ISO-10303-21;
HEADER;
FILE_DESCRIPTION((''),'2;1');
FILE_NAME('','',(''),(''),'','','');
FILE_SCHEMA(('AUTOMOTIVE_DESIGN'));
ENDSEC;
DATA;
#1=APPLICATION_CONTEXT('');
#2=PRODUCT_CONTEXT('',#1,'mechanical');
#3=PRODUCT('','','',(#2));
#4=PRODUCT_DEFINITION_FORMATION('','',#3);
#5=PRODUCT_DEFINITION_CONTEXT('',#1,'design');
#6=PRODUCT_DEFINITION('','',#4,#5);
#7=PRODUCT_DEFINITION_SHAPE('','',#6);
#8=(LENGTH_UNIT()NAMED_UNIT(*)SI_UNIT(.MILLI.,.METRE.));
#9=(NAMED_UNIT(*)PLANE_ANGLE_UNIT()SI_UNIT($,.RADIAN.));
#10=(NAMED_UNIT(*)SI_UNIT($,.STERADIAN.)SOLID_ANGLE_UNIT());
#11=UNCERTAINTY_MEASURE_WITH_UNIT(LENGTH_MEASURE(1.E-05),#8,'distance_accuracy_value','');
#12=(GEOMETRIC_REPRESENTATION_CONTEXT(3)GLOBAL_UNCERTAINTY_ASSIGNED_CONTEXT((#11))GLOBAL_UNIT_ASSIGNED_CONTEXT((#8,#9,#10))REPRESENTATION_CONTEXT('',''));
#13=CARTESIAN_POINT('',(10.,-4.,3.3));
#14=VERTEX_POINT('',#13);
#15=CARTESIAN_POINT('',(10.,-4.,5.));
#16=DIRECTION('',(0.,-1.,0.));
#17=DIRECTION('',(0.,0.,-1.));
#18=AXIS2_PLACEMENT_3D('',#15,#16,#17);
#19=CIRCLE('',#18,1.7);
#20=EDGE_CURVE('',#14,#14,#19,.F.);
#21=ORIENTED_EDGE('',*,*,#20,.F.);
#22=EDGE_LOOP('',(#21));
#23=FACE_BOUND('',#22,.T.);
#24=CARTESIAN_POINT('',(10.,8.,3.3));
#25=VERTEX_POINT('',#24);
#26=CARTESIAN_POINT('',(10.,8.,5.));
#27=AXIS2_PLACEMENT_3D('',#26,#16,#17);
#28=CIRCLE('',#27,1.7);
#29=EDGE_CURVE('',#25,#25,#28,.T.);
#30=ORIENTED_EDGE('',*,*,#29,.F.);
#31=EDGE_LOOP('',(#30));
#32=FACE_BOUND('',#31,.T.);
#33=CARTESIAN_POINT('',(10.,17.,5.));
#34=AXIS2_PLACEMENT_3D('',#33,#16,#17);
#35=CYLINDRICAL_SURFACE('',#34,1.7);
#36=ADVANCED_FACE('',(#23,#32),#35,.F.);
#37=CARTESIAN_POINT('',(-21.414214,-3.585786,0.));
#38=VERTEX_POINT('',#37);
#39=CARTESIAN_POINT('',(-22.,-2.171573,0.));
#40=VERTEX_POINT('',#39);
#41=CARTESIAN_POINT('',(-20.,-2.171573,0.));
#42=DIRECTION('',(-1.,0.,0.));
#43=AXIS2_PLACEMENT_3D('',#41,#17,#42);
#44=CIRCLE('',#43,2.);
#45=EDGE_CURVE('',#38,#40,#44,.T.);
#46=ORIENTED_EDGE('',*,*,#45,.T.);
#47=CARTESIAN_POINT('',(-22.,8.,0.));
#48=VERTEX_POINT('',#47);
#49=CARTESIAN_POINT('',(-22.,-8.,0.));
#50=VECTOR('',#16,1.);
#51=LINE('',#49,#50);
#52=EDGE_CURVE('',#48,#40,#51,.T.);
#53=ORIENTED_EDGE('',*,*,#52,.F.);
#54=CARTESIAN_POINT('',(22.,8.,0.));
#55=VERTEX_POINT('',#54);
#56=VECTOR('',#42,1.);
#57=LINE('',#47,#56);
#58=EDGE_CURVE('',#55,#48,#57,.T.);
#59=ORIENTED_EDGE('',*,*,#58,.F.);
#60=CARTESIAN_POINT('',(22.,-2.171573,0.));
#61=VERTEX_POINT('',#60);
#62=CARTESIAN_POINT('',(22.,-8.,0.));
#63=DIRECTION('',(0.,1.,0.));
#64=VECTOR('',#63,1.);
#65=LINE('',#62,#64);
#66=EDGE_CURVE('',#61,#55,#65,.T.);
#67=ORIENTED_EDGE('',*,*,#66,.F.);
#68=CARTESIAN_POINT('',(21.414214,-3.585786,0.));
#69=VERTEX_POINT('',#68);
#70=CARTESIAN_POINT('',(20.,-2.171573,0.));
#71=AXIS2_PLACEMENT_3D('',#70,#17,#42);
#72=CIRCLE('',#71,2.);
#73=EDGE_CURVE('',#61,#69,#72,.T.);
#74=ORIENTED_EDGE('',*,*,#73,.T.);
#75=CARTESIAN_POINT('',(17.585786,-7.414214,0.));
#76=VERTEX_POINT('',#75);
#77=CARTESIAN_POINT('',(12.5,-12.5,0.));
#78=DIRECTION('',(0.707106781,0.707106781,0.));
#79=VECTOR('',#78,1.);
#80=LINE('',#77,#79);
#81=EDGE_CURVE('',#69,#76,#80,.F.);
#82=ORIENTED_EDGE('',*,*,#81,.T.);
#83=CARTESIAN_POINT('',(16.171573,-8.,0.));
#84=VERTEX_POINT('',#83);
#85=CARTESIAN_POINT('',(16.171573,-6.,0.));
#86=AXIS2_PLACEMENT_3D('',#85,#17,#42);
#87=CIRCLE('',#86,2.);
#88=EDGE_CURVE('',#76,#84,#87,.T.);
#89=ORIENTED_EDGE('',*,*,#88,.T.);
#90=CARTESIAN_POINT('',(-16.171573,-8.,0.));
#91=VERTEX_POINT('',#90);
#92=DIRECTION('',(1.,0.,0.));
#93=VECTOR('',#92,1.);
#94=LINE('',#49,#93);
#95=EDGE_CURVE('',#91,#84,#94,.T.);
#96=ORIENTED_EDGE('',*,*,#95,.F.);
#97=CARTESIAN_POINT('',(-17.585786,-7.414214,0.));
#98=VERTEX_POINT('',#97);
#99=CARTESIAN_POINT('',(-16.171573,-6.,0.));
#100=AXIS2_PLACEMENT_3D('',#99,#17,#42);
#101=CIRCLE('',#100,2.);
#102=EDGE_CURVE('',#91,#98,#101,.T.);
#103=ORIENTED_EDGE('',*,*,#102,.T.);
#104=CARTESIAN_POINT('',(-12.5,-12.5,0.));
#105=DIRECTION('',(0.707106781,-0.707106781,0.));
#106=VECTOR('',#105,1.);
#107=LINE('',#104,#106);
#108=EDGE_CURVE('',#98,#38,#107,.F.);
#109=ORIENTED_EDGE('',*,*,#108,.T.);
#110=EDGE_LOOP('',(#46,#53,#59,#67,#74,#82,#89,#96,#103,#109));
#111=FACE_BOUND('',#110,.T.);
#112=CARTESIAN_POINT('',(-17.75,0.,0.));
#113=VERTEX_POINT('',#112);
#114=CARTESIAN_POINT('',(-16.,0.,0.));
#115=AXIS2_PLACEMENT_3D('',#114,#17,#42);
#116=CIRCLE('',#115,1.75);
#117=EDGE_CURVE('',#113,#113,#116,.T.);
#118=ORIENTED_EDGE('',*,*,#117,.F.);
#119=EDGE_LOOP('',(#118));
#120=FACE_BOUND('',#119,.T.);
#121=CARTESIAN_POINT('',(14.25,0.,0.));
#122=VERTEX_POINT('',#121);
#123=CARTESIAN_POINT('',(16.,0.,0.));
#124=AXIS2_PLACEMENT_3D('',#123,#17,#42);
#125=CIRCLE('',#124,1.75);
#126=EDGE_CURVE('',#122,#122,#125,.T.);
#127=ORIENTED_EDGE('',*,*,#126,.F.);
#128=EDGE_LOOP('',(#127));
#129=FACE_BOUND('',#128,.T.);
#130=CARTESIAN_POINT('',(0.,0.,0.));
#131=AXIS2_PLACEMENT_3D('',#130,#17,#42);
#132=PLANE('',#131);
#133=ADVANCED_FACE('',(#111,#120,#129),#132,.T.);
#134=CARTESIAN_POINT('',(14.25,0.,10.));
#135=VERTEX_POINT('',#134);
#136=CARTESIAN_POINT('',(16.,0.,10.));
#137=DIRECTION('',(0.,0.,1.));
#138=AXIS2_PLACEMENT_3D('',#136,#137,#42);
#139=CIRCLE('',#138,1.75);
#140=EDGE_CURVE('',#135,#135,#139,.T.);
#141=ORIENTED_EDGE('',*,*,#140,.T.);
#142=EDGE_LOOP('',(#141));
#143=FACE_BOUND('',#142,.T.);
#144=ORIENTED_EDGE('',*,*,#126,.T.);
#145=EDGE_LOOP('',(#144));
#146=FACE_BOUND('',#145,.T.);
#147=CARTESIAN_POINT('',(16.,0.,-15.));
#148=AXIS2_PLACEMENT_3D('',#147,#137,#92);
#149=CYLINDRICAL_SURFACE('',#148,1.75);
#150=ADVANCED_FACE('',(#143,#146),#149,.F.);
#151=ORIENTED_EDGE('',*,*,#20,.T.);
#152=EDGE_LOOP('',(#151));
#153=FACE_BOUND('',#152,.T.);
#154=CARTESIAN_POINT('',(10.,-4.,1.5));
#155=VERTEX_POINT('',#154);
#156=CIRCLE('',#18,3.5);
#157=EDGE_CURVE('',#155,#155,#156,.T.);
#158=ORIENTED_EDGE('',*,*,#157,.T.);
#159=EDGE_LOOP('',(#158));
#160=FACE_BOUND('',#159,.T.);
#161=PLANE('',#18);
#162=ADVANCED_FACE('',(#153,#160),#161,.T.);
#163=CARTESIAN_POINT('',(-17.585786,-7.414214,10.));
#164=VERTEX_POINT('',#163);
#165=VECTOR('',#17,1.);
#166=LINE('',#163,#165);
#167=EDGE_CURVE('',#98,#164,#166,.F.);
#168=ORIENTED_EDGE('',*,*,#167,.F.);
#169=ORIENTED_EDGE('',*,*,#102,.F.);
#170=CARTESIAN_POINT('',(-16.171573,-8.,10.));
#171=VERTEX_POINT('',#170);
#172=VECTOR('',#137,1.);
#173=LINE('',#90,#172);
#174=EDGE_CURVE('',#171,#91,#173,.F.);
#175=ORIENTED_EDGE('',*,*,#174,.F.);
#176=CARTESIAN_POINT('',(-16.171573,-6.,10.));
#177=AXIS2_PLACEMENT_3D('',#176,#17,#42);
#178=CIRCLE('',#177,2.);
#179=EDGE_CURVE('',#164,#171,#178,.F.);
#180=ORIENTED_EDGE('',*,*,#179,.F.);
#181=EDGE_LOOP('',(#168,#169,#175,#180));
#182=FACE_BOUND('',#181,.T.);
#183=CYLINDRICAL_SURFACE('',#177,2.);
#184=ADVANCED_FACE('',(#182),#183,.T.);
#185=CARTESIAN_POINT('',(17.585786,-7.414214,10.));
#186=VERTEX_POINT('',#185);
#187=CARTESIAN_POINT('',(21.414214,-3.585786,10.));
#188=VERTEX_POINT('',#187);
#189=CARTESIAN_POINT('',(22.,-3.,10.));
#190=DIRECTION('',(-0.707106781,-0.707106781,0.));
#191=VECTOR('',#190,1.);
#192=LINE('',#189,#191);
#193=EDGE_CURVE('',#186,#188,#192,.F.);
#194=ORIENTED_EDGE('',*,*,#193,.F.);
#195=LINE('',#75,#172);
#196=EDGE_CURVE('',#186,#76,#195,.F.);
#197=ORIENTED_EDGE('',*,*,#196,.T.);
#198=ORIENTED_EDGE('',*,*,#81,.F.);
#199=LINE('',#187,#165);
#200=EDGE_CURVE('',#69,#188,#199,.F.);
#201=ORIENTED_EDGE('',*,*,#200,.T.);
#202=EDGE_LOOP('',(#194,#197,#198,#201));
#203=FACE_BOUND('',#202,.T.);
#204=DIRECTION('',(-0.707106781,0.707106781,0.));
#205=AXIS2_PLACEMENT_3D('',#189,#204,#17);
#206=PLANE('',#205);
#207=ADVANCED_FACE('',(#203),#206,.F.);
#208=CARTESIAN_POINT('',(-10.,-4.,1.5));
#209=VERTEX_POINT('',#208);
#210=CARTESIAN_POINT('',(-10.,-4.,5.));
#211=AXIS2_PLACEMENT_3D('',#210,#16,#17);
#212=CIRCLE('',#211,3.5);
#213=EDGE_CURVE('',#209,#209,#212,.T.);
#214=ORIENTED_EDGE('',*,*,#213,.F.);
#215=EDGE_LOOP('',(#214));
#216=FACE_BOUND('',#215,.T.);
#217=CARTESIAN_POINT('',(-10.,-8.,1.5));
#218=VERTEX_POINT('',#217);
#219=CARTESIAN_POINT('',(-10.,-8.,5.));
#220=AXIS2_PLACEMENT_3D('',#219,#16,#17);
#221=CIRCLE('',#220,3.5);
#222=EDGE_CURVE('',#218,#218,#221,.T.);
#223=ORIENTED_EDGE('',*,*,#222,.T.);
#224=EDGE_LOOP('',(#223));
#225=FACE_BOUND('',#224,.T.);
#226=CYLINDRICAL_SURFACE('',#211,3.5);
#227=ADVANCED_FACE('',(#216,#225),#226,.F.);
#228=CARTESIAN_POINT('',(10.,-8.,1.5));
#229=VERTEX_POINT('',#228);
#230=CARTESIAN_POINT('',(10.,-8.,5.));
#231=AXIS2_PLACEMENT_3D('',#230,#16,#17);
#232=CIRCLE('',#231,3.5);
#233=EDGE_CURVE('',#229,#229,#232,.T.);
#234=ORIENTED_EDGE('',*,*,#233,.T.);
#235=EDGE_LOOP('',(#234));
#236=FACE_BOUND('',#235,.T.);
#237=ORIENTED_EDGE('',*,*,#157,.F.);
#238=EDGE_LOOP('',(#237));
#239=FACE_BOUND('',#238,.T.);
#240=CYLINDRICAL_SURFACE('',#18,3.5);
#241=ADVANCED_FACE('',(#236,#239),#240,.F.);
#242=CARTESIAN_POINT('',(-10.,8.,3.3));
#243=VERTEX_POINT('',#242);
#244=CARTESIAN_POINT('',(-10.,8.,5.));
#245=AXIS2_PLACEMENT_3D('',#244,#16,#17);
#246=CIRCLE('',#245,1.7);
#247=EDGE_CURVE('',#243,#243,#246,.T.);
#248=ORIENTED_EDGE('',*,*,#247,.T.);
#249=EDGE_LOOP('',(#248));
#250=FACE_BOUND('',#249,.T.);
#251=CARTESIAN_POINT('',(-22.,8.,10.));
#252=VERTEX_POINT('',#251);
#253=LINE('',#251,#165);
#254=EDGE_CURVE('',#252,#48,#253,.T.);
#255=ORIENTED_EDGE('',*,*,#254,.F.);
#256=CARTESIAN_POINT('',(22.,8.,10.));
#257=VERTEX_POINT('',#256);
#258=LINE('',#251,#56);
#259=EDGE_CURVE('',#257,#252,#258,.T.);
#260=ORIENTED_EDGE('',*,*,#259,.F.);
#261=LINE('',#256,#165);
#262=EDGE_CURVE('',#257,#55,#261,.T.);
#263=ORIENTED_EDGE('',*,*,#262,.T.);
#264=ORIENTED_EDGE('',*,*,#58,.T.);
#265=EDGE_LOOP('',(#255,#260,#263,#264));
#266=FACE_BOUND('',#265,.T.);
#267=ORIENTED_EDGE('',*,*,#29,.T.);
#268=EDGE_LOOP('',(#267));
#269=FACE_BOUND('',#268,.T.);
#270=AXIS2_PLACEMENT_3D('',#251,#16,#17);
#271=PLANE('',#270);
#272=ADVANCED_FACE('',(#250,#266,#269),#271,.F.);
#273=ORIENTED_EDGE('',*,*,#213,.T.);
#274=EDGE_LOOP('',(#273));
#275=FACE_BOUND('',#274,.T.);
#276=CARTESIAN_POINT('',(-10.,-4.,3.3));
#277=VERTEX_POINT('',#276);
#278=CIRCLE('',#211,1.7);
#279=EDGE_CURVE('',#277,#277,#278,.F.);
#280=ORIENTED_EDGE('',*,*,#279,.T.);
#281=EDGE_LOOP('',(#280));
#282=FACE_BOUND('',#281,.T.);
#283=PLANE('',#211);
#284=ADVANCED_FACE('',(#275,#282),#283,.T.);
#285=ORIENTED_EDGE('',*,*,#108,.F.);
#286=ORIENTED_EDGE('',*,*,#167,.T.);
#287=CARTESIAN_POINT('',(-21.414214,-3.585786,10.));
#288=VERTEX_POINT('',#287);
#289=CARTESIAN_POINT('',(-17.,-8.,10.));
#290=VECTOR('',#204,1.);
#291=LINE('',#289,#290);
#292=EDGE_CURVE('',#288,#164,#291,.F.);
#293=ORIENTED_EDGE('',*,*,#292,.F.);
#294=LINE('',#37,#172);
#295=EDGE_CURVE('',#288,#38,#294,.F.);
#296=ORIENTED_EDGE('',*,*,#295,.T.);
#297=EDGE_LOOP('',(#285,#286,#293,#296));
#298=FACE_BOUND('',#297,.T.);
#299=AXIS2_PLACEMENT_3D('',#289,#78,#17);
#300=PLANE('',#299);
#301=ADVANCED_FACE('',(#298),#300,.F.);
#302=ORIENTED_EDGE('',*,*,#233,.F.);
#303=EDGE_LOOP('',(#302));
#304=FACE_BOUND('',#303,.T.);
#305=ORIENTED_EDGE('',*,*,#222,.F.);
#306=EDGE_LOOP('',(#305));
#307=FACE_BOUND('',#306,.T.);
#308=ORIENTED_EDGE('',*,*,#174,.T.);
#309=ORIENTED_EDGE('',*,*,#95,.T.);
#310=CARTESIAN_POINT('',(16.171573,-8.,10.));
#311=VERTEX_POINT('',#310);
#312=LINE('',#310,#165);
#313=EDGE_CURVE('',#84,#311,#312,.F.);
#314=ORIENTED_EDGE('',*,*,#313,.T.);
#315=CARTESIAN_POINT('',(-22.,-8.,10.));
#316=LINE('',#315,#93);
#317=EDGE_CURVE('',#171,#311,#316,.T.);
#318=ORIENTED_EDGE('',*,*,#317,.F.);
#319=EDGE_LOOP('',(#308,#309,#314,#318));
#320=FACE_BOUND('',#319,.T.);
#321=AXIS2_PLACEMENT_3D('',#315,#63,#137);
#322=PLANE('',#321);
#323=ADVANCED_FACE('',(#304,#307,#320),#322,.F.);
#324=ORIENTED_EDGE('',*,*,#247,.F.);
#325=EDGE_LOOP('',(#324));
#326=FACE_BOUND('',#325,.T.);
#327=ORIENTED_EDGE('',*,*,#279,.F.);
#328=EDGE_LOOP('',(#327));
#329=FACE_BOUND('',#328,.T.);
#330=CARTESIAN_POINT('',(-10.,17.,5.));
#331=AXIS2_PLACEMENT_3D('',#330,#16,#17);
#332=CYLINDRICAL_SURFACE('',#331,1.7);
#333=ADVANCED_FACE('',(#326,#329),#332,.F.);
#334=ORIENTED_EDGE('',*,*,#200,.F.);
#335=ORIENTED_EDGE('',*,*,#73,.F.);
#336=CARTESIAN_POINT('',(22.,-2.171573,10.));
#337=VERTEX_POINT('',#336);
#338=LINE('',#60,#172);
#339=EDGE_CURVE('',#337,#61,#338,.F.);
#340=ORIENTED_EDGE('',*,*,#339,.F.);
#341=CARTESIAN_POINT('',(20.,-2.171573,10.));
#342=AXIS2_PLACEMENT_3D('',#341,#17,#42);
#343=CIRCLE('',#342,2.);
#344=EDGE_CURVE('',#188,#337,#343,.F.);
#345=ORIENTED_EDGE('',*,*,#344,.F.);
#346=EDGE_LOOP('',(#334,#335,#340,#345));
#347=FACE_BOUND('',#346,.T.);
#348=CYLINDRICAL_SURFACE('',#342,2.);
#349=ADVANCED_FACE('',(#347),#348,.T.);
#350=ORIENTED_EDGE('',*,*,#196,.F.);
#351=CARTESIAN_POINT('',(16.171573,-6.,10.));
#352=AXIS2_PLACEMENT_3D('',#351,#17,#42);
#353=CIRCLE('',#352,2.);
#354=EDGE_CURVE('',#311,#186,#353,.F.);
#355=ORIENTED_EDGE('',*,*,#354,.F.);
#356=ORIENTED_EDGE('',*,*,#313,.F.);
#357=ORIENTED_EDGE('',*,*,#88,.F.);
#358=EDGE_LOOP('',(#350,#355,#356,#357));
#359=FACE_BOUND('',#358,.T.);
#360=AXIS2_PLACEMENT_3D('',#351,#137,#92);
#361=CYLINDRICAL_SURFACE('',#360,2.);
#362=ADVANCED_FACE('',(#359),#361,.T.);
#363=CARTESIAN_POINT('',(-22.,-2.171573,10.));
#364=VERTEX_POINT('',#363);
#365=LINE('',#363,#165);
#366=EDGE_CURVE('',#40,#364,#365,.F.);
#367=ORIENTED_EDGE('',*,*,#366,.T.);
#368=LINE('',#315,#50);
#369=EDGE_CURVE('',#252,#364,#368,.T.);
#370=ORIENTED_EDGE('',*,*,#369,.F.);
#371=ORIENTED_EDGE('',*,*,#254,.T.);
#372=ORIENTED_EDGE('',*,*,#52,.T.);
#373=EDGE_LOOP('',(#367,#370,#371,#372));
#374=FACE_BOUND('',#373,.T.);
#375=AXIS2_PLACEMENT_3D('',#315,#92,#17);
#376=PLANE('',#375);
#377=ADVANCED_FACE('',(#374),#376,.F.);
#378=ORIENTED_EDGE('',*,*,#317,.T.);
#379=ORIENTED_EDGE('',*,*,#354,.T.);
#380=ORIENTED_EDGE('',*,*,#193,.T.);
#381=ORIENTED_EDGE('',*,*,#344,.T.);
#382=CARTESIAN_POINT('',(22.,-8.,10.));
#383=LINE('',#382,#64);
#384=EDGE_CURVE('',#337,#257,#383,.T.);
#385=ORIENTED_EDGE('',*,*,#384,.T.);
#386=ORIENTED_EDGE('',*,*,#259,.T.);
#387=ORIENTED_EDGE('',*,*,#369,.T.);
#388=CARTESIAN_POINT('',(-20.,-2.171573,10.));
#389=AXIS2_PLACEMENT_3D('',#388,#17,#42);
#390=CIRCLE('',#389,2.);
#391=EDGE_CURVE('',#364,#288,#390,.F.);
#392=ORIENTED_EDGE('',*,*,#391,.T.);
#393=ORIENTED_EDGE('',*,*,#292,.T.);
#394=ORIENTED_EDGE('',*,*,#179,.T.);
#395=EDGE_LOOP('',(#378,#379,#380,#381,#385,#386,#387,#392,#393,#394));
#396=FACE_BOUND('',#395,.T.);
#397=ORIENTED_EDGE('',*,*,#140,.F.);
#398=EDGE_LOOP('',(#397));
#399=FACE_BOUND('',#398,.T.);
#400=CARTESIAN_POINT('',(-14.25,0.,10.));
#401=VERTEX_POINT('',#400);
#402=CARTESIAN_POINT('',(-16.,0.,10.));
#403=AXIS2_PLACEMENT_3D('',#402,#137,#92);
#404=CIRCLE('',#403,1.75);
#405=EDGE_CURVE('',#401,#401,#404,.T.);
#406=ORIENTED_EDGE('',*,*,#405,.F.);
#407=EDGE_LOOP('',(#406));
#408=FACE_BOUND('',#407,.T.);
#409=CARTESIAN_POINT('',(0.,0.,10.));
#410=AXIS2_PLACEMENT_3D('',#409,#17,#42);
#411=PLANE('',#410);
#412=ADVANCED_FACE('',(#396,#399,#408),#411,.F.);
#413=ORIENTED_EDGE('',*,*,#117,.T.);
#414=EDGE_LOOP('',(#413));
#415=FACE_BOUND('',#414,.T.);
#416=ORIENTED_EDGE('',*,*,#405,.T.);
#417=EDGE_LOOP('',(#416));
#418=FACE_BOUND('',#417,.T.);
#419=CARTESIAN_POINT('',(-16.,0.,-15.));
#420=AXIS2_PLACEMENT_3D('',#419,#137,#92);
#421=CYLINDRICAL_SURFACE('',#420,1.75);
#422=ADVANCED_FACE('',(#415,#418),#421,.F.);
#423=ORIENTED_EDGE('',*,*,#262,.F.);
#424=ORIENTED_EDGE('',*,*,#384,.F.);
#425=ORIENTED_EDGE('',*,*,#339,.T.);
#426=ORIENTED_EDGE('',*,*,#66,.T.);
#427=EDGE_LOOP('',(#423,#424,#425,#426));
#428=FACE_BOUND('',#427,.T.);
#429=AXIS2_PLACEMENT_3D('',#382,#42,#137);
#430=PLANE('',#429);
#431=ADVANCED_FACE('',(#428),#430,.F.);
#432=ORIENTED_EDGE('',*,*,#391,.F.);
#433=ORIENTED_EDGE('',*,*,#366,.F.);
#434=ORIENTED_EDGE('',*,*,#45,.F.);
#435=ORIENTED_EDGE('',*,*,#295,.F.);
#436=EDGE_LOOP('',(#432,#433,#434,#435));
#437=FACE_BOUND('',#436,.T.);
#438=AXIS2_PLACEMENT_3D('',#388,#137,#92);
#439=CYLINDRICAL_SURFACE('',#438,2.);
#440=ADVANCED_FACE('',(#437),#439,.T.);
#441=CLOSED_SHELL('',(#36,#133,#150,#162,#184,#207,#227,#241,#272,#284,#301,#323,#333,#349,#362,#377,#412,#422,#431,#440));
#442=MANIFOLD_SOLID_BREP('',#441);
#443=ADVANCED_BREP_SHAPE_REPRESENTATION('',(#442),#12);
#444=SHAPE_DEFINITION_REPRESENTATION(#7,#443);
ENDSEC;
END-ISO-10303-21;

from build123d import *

# Parameters (mm, degrees)
SKETCH1_W           = 44
SKETCH1_H           = 16
BOSS_EXTRUDE1_DEPTH = 10
SKETCH2_R           = 1.7
CUT_EXTRUDE1_DEPTH  = 25
SKETCH3_R           = 1.75
CUT_EXTRUDE2_DEPTH  = 25
CHAMFER1_SIZE       = 5
FILLET1_R           = 2
SKETCH4_R           = 3.5
CUT_EXTRUDE3_DEPTH  = 4


with BuildPart() as part:
    # Sketch1 → Boss-Extrude1 (new body)
    with BuildSketch(Plane.XY):
        Rectangle(SKETCH1_W, SKETCH1_H)
    extrude(amount=BOSS_EXTRUDE1_DEPTH)

    # Sketch2 → Cut-Extrude1 (cut)
    with BuildSketch(Plane.XZ.offset(8)):
        with Locations(Location((-10, 5, 0), (0, 0, 270))):
            Circle(SKETCH2_R)
        with Locations(Location((10, 5, 0), (0, 0, 270))):
            Circle(SKETCH2_R)
    extrude(amount=-CUT_EXTRUDE1_DEPTH, mode=Mode.SUBTRACT)

    # Sketch3 → Cut-Extrude2 (cut)
    with BuildSketch(Plane.XY.offset(10)):
        with Locations((-16, 0)):
            Circle(SKETCH3_R)
        with Locations(Location((16, 0, 0), (0, 0, 180))):
            Circle(SKETCH3_R)
    extrude(amount=-CUT_EXTRUDE2_DEPTH, mode=Mode.SUBTRACT)

    # Chamfer1
    chamfer1_edges = [part.edges().sort_by_distance(p)[0] for p in [
        (22, -8, 5),
        (-22, -8, 5),
    ]]
    chamfer(chamfer1_edges, length=CHAMFER1_SIZE)

    # Fillet1
    fillet1_edges = [part.edges().sort_by_distance(p)[0] for p in [
        (22, -3, 5),
        (-17, -8, 5),
        (17, -8, 5),
        (-22, -3, 5),
    ]]
    fillet(fillet1_edges, radius=FILLET1_R)

    # Sketch4 → Cut-Extrude3 (cut)
    with BuildSketch(Plane.XZ.offset(8)):
        with Locations(Location((10, 5, 0), (0, 0, 270))):
            Circle(SKETCH4_R)
        with Locations(Location((-10, 5, 0), (0, 0, 270))):
            Circle(SKETCH4_R)
    extrude(amount=-CUT_EXTRUDE3_DEPTH, mode=Mode.SUBTRACT)


solid = part.part
